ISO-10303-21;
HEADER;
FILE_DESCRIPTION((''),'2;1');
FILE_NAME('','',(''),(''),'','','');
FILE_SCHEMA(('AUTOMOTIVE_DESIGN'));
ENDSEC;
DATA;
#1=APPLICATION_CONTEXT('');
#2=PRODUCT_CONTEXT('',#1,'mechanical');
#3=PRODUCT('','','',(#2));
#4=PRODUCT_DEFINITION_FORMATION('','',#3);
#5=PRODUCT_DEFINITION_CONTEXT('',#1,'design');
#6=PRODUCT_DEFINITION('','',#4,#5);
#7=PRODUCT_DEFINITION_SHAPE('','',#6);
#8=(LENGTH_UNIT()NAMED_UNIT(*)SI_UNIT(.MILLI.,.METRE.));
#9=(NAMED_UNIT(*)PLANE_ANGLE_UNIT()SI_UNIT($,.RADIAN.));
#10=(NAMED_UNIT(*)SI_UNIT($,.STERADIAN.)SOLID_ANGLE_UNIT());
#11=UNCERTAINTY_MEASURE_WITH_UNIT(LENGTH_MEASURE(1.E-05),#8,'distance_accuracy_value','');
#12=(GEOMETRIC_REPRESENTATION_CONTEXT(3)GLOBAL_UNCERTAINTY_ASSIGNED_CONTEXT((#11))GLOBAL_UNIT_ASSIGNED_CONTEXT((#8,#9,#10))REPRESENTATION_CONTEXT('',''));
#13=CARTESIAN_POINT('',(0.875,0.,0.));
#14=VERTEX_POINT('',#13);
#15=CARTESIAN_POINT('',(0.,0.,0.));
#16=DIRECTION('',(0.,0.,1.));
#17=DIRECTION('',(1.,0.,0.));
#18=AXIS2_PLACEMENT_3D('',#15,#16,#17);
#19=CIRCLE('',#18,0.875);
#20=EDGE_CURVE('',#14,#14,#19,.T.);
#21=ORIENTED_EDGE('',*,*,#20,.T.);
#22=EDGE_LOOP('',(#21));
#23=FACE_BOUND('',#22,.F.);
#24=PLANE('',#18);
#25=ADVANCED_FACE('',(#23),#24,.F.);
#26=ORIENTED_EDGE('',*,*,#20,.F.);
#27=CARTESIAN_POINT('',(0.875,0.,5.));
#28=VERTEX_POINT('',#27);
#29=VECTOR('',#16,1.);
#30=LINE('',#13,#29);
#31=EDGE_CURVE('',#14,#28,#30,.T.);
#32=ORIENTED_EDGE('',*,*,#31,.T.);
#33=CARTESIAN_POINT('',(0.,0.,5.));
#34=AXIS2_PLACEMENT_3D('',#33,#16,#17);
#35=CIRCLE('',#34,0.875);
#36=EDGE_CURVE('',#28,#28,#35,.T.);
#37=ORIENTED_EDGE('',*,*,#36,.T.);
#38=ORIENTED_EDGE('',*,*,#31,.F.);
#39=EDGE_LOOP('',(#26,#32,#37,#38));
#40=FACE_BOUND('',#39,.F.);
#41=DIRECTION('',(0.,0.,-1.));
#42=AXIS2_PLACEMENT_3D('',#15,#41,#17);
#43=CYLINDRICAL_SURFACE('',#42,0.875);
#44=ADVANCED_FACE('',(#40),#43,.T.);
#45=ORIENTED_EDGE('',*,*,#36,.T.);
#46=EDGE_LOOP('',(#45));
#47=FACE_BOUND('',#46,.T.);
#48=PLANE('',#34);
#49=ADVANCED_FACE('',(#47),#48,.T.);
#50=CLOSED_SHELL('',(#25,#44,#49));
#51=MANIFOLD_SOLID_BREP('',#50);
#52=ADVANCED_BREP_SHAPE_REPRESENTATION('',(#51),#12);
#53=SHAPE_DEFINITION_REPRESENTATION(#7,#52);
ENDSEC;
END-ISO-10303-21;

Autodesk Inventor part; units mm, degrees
ref_plane "YZ Plane" through (0, 0, 0) normal (1, 0, 0) x (0, 1, 0)
ref_plane "XZ Plane" through (0, 0, 0) normal (0, 1, 0) x (-1, 0, 0)
ref_plane "XY Plane" through (0, 0, 0) normal (0, 0, 1) x (1, 0, 0)
sketch "Sketch1" plane through (0, 0, 0) normal (0, 0, 1) x (1, 0, 0)
  circle A0 centre (0, 0) radius 0.875
  dimension "d0" = 1.75
extrude "Extrusion1" add sketch "Sketch1" along normal blind 5
sketch "Sketch2" plane through (0, 0, 5) normal (0, 0, 1) x (1, 0, 0)
  circle A0 centre (0, 0) radius 0.875 projected
properties part number "yellowlead"
